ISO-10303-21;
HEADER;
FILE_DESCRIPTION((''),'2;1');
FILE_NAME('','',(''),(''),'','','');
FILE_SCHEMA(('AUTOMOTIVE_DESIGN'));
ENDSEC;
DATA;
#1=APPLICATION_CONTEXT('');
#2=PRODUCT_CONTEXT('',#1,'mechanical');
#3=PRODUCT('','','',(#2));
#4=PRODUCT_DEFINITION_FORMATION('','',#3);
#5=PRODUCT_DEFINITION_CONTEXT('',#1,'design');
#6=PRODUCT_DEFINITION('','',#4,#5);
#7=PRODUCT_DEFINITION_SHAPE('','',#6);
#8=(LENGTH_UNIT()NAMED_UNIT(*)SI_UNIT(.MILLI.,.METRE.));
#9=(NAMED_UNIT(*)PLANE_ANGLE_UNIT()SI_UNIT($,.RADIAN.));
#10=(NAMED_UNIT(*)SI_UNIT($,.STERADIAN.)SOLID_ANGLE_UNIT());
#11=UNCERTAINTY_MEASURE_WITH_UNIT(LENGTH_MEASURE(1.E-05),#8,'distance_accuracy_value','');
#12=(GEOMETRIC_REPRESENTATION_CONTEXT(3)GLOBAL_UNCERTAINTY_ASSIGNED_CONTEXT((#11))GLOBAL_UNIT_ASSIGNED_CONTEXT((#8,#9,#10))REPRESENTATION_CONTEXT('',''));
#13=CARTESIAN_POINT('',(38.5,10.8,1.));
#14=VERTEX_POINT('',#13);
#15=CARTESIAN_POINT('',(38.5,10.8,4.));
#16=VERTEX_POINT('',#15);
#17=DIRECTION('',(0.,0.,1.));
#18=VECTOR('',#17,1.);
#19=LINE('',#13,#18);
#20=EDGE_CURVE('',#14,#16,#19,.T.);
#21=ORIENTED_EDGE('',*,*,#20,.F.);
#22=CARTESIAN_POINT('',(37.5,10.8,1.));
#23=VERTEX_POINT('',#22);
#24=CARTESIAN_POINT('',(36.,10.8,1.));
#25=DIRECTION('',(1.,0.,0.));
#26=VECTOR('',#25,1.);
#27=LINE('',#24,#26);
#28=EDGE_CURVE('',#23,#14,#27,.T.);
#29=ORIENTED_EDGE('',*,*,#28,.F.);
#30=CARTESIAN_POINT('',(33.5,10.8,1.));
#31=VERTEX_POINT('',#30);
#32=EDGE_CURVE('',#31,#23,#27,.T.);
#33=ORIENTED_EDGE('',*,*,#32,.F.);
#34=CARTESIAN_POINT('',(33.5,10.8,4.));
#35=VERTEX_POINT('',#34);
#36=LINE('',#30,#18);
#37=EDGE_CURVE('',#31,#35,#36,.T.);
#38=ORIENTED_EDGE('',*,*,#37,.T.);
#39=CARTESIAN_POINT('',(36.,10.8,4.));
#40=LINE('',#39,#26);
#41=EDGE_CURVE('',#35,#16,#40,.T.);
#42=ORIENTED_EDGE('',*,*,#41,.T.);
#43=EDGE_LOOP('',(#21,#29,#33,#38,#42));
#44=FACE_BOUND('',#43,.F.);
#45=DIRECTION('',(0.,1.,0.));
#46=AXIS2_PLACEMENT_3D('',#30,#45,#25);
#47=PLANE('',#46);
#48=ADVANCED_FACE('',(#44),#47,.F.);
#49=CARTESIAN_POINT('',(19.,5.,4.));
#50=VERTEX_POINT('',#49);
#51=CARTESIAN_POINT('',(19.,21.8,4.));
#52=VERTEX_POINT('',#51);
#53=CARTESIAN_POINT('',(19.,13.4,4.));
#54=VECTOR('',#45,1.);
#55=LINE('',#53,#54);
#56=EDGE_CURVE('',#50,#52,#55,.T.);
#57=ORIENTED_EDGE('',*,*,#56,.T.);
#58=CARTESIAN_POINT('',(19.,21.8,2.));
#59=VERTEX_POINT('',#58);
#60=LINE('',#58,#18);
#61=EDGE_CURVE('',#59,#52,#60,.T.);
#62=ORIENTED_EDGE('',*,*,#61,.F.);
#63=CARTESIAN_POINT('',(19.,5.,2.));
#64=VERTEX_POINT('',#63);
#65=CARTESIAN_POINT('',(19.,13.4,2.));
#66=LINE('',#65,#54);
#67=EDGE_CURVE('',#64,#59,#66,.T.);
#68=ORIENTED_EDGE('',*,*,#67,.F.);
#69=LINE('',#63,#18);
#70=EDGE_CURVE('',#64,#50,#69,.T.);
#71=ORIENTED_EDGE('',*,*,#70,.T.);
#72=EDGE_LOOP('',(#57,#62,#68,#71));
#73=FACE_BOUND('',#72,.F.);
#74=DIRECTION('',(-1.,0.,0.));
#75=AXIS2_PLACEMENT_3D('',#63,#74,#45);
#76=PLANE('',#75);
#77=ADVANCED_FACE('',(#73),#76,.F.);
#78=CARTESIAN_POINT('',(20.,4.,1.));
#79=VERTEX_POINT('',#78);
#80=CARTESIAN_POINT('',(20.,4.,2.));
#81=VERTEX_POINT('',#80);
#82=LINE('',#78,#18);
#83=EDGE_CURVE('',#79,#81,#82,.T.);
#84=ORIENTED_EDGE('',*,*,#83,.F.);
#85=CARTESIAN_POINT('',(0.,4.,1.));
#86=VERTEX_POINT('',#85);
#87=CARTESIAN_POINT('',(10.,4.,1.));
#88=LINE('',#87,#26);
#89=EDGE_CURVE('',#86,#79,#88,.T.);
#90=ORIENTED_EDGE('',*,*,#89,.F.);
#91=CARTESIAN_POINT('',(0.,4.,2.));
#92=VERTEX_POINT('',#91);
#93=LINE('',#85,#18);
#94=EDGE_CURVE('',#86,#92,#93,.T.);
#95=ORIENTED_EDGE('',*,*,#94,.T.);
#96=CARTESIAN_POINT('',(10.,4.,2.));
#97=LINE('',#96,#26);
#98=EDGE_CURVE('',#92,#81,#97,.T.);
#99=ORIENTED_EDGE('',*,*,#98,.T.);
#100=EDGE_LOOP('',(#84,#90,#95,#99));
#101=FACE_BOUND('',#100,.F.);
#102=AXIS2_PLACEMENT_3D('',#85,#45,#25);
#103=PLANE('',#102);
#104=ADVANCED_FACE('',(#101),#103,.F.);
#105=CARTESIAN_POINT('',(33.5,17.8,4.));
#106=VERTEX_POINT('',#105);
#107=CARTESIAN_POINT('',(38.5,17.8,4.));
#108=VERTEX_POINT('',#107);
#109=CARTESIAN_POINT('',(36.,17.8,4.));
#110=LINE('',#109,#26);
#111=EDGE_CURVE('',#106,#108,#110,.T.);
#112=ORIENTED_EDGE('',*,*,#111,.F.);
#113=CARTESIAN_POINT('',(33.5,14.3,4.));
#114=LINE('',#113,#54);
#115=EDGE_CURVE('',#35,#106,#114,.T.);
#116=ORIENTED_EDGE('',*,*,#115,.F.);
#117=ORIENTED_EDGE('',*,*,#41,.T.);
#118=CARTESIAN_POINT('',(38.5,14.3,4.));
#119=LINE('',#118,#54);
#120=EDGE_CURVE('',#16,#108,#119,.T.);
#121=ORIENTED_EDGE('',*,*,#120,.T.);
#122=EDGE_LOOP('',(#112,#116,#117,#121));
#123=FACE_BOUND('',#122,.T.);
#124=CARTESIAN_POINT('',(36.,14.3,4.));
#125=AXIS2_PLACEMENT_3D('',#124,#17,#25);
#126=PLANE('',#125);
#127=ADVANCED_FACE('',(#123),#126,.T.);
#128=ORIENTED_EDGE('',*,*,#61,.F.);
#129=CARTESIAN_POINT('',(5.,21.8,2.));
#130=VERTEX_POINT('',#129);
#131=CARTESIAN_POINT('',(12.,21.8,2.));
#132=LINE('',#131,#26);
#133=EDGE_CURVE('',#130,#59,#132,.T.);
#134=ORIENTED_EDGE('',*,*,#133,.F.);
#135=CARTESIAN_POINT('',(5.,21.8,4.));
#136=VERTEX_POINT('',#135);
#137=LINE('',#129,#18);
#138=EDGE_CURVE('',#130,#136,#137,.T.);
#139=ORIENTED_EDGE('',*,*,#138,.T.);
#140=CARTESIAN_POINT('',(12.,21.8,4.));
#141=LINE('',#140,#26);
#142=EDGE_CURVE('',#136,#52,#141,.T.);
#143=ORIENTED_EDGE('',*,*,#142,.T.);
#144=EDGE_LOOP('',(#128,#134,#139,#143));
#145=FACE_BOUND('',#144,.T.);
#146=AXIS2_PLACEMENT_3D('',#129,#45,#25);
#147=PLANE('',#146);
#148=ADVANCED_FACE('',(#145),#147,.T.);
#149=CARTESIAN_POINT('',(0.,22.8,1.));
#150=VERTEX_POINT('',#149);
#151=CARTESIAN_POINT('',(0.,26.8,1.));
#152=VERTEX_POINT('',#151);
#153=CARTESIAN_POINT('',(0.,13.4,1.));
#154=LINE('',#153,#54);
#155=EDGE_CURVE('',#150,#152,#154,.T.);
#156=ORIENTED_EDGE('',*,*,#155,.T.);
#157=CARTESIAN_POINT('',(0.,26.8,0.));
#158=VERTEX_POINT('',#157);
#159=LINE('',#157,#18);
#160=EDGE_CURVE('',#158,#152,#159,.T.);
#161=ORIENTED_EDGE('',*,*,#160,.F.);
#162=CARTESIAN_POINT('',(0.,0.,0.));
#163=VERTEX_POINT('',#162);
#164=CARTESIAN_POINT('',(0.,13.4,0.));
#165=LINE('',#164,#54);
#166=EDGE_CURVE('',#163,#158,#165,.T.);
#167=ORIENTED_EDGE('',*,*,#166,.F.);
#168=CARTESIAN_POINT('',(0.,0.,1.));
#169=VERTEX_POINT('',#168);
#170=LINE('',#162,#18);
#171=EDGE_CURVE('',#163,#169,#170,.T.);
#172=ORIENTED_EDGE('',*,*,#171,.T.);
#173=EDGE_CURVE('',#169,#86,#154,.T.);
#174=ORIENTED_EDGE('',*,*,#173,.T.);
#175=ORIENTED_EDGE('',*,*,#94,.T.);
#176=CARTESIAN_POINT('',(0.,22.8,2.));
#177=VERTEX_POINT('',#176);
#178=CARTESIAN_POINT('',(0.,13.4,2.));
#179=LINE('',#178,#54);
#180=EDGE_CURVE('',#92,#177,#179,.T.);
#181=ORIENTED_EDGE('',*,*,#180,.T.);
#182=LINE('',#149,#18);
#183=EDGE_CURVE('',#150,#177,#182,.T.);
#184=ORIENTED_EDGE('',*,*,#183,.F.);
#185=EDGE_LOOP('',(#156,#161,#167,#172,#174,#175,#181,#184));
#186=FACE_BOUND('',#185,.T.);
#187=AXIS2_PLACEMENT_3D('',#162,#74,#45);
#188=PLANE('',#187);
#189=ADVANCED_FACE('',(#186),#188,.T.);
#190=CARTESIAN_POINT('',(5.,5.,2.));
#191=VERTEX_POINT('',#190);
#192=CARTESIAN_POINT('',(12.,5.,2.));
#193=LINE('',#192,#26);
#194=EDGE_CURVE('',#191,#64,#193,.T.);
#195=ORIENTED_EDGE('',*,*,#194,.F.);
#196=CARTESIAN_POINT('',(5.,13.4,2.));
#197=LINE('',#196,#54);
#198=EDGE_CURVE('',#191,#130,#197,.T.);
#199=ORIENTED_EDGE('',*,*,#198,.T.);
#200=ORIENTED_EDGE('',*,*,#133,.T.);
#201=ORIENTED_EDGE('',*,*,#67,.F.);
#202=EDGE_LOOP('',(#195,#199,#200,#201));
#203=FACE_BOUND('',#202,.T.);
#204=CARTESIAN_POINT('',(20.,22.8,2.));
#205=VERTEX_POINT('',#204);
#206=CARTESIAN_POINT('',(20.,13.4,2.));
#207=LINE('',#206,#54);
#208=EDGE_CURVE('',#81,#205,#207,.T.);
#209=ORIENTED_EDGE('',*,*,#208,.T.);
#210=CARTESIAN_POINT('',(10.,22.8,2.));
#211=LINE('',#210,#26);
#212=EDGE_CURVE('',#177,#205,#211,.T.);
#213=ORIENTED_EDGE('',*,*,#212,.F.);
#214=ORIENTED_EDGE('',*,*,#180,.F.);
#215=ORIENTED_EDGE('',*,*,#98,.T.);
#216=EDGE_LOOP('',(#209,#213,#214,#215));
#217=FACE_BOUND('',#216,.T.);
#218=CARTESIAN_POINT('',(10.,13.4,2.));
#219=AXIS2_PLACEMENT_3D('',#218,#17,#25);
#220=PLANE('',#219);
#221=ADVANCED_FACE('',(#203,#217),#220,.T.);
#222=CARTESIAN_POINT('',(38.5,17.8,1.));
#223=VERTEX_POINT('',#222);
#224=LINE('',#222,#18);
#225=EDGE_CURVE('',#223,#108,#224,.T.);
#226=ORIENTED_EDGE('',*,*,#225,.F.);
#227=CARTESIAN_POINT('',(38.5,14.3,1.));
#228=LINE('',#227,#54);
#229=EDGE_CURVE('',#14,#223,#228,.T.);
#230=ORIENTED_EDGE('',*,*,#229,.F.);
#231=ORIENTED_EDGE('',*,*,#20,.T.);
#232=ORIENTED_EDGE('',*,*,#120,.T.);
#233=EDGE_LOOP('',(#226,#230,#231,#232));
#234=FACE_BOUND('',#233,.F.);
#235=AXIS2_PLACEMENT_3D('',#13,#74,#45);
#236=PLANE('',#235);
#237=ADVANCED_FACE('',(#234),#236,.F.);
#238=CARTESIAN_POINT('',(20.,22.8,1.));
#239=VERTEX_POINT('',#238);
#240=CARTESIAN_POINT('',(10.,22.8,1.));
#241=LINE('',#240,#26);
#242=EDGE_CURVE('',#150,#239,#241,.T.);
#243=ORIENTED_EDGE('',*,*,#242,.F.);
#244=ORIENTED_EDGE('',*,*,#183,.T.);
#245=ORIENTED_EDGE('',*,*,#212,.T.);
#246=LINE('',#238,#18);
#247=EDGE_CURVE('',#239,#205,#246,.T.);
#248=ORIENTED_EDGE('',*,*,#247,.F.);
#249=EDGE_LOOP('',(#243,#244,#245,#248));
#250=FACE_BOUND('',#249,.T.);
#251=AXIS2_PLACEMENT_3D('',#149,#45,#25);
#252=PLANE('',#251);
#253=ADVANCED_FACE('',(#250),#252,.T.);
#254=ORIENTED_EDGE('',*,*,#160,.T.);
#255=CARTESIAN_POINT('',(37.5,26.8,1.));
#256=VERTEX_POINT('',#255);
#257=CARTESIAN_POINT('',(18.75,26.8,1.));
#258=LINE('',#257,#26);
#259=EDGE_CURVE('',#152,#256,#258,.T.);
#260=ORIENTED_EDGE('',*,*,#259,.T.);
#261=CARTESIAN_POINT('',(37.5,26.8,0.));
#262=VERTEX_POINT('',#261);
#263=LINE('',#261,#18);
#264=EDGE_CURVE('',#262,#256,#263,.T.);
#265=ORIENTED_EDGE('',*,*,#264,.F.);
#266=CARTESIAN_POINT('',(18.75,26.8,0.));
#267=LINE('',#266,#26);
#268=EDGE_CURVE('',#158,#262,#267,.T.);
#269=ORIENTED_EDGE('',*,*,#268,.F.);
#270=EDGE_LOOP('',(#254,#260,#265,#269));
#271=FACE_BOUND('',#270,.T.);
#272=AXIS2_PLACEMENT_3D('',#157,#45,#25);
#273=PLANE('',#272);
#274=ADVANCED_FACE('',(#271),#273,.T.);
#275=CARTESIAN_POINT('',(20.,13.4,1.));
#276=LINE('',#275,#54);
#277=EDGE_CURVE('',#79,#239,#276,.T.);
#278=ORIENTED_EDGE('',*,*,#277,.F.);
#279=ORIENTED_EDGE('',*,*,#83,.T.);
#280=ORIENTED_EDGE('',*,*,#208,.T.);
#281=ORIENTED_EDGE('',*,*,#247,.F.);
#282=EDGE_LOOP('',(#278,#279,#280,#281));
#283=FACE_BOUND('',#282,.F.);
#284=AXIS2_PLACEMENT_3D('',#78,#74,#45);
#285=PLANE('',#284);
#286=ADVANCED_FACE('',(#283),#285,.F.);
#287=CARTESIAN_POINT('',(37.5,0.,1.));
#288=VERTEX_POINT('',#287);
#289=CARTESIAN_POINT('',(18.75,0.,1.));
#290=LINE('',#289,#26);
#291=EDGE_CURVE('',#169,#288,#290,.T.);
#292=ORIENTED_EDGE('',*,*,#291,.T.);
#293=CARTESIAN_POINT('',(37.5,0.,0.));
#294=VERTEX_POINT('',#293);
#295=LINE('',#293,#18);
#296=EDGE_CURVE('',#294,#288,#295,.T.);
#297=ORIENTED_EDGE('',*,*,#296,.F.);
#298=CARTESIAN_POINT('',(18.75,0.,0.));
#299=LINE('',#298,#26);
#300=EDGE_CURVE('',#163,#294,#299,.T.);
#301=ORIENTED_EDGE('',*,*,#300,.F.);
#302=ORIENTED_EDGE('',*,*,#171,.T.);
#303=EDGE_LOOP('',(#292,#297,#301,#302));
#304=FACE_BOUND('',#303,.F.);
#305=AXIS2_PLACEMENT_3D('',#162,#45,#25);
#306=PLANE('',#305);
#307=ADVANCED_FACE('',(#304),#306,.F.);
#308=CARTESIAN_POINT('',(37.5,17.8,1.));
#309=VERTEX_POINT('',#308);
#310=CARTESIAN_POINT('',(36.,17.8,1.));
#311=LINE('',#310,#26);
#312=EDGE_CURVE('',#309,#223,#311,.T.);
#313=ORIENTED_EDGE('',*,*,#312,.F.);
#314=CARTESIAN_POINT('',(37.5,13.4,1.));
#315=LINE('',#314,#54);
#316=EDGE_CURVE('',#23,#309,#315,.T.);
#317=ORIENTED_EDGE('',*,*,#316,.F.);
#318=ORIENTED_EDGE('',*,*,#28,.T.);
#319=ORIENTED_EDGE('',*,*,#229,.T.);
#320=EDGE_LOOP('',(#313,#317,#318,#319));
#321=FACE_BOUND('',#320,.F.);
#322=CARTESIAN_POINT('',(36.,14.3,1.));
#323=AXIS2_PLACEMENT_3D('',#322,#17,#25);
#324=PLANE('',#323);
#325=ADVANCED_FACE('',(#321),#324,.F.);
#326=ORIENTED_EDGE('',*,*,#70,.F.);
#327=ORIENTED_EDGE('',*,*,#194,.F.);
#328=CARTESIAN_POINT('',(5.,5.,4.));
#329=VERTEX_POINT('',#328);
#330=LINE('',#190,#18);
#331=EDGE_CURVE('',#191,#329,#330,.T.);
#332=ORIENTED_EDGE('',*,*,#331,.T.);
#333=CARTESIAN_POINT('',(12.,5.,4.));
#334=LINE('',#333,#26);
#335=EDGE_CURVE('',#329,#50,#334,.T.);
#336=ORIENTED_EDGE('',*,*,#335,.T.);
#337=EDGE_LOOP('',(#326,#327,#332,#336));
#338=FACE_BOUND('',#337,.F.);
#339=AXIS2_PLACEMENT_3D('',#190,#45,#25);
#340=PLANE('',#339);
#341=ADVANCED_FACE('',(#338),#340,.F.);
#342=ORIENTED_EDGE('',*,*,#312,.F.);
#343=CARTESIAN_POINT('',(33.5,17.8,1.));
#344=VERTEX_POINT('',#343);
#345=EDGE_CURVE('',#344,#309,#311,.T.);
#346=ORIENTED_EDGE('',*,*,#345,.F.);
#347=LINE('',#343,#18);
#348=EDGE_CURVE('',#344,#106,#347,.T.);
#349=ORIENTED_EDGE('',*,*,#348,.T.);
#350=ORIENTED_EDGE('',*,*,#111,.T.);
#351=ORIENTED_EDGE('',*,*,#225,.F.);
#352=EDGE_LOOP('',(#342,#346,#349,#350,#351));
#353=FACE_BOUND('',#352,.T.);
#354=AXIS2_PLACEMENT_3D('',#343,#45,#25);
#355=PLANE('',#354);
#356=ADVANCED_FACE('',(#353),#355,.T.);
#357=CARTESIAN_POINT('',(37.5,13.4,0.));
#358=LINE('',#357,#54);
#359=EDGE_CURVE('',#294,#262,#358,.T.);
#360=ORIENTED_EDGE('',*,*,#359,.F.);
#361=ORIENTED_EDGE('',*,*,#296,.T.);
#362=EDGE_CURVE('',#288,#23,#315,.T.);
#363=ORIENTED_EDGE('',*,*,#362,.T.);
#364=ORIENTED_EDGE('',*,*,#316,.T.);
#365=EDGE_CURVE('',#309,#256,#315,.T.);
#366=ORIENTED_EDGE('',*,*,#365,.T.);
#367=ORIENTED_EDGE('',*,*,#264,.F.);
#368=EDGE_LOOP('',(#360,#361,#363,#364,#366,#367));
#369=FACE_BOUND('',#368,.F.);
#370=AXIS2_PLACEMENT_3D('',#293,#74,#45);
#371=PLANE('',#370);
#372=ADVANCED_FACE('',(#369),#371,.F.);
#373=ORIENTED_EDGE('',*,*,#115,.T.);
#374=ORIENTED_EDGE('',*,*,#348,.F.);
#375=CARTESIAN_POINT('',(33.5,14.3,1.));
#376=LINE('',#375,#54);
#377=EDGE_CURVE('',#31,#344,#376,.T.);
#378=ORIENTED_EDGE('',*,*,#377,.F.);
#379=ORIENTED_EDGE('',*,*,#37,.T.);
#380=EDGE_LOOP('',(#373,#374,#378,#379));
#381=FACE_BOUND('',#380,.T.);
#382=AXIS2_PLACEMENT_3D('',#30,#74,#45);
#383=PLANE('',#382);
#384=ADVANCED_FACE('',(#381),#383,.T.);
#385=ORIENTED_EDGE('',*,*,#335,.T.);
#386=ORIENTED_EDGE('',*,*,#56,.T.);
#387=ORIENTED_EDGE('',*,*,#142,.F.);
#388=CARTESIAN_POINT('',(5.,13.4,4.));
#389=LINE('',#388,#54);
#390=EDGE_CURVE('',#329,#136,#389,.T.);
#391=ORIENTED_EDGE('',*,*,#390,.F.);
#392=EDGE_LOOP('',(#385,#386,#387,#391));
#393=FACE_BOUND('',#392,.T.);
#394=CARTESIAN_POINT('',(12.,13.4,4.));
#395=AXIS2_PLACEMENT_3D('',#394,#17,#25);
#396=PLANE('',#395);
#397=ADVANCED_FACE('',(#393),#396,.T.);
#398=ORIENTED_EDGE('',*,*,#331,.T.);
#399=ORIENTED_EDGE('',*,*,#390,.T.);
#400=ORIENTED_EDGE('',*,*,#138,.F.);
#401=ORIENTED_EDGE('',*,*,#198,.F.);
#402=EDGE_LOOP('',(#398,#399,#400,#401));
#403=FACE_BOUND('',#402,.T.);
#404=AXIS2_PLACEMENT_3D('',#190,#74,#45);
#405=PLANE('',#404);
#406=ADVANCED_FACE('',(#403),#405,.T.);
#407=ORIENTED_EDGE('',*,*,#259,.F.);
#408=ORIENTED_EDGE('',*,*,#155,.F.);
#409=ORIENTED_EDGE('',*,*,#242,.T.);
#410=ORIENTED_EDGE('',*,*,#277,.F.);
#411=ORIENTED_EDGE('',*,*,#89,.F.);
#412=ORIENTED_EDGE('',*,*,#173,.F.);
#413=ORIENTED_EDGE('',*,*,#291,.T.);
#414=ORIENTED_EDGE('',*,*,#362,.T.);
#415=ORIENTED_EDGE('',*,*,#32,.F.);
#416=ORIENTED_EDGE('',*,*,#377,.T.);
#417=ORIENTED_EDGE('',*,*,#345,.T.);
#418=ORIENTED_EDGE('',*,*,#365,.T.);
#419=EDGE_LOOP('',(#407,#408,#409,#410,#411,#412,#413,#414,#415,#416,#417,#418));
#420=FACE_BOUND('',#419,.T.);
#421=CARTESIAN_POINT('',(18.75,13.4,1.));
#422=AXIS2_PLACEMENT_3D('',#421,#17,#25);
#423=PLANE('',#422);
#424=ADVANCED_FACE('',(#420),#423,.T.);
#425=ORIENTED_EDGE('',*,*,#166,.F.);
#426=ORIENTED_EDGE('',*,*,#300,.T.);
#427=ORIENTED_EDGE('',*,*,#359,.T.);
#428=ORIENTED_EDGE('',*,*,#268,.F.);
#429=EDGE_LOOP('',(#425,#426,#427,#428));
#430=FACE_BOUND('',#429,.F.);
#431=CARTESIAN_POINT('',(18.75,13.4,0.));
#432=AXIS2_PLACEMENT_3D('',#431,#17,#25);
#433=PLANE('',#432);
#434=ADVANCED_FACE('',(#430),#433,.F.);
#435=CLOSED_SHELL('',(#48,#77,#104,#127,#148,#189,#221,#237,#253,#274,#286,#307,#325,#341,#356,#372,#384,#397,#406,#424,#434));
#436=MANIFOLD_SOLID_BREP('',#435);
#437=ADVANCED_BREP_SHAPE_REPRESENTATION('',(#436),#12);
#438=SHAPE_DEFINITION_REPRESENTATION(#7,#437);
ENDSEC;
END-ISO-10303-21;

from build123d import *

# Parameters (mm, degrees)
F0_W     = 37.5
F0_H     = 26.8
F1_DEPTH = 1
F2_W     = 5
F2_H     = 7
F3_DEPTH = 3
F4_W     = 20
F4_H     = 18.8
F5_DEPTH = 1
F6_W     = 14
F6_H     = 16.8
F7_DEPTH = 2
F8_DEPTH = 2


with BuildPart() as f1:
    # F0 (on Top) → F1 (new body)
    with BuildSketch(Plane.XY):
        with Locations((18.75, 13.4)):
            Rectangle(F0_W, F0_H)
    extrude(amount=F1_DEPTH)

    # F2 (on face) → F3 (join)
    with BuildSketch(Plane.XY.offset(1)):
        with Locations((36, 14.3)):
            Rectangle(F2_W, F2_H)
    extrude(amount=F3_DEPTH)

    # F4 (on face) → F5 (join)
    with BuildSketch(Plane.XY.offset(1)):
        with Locations((10, 13.4)):
            Rectangle(F4_W, F4_H)
    extrude(amount=F5_DEPTH)

    # F6 (on face) → F7 (join)
    with BuildSketch(Plane.XY.offset(2)):
        with Locations((12, 13.4)):
            Rectangle(F6_W, F6_H)
    extrude(amount=F7_DEPTH)

    # F6 (on face) → F8 (join)
    with BuildSketch(Plane.XY.offset(2)):
        with Locations((12, 13.4)):
            Rectangle(F6_W, F6_H)
    extrude(amount=F8_DEPTH)


solid = f1.part
